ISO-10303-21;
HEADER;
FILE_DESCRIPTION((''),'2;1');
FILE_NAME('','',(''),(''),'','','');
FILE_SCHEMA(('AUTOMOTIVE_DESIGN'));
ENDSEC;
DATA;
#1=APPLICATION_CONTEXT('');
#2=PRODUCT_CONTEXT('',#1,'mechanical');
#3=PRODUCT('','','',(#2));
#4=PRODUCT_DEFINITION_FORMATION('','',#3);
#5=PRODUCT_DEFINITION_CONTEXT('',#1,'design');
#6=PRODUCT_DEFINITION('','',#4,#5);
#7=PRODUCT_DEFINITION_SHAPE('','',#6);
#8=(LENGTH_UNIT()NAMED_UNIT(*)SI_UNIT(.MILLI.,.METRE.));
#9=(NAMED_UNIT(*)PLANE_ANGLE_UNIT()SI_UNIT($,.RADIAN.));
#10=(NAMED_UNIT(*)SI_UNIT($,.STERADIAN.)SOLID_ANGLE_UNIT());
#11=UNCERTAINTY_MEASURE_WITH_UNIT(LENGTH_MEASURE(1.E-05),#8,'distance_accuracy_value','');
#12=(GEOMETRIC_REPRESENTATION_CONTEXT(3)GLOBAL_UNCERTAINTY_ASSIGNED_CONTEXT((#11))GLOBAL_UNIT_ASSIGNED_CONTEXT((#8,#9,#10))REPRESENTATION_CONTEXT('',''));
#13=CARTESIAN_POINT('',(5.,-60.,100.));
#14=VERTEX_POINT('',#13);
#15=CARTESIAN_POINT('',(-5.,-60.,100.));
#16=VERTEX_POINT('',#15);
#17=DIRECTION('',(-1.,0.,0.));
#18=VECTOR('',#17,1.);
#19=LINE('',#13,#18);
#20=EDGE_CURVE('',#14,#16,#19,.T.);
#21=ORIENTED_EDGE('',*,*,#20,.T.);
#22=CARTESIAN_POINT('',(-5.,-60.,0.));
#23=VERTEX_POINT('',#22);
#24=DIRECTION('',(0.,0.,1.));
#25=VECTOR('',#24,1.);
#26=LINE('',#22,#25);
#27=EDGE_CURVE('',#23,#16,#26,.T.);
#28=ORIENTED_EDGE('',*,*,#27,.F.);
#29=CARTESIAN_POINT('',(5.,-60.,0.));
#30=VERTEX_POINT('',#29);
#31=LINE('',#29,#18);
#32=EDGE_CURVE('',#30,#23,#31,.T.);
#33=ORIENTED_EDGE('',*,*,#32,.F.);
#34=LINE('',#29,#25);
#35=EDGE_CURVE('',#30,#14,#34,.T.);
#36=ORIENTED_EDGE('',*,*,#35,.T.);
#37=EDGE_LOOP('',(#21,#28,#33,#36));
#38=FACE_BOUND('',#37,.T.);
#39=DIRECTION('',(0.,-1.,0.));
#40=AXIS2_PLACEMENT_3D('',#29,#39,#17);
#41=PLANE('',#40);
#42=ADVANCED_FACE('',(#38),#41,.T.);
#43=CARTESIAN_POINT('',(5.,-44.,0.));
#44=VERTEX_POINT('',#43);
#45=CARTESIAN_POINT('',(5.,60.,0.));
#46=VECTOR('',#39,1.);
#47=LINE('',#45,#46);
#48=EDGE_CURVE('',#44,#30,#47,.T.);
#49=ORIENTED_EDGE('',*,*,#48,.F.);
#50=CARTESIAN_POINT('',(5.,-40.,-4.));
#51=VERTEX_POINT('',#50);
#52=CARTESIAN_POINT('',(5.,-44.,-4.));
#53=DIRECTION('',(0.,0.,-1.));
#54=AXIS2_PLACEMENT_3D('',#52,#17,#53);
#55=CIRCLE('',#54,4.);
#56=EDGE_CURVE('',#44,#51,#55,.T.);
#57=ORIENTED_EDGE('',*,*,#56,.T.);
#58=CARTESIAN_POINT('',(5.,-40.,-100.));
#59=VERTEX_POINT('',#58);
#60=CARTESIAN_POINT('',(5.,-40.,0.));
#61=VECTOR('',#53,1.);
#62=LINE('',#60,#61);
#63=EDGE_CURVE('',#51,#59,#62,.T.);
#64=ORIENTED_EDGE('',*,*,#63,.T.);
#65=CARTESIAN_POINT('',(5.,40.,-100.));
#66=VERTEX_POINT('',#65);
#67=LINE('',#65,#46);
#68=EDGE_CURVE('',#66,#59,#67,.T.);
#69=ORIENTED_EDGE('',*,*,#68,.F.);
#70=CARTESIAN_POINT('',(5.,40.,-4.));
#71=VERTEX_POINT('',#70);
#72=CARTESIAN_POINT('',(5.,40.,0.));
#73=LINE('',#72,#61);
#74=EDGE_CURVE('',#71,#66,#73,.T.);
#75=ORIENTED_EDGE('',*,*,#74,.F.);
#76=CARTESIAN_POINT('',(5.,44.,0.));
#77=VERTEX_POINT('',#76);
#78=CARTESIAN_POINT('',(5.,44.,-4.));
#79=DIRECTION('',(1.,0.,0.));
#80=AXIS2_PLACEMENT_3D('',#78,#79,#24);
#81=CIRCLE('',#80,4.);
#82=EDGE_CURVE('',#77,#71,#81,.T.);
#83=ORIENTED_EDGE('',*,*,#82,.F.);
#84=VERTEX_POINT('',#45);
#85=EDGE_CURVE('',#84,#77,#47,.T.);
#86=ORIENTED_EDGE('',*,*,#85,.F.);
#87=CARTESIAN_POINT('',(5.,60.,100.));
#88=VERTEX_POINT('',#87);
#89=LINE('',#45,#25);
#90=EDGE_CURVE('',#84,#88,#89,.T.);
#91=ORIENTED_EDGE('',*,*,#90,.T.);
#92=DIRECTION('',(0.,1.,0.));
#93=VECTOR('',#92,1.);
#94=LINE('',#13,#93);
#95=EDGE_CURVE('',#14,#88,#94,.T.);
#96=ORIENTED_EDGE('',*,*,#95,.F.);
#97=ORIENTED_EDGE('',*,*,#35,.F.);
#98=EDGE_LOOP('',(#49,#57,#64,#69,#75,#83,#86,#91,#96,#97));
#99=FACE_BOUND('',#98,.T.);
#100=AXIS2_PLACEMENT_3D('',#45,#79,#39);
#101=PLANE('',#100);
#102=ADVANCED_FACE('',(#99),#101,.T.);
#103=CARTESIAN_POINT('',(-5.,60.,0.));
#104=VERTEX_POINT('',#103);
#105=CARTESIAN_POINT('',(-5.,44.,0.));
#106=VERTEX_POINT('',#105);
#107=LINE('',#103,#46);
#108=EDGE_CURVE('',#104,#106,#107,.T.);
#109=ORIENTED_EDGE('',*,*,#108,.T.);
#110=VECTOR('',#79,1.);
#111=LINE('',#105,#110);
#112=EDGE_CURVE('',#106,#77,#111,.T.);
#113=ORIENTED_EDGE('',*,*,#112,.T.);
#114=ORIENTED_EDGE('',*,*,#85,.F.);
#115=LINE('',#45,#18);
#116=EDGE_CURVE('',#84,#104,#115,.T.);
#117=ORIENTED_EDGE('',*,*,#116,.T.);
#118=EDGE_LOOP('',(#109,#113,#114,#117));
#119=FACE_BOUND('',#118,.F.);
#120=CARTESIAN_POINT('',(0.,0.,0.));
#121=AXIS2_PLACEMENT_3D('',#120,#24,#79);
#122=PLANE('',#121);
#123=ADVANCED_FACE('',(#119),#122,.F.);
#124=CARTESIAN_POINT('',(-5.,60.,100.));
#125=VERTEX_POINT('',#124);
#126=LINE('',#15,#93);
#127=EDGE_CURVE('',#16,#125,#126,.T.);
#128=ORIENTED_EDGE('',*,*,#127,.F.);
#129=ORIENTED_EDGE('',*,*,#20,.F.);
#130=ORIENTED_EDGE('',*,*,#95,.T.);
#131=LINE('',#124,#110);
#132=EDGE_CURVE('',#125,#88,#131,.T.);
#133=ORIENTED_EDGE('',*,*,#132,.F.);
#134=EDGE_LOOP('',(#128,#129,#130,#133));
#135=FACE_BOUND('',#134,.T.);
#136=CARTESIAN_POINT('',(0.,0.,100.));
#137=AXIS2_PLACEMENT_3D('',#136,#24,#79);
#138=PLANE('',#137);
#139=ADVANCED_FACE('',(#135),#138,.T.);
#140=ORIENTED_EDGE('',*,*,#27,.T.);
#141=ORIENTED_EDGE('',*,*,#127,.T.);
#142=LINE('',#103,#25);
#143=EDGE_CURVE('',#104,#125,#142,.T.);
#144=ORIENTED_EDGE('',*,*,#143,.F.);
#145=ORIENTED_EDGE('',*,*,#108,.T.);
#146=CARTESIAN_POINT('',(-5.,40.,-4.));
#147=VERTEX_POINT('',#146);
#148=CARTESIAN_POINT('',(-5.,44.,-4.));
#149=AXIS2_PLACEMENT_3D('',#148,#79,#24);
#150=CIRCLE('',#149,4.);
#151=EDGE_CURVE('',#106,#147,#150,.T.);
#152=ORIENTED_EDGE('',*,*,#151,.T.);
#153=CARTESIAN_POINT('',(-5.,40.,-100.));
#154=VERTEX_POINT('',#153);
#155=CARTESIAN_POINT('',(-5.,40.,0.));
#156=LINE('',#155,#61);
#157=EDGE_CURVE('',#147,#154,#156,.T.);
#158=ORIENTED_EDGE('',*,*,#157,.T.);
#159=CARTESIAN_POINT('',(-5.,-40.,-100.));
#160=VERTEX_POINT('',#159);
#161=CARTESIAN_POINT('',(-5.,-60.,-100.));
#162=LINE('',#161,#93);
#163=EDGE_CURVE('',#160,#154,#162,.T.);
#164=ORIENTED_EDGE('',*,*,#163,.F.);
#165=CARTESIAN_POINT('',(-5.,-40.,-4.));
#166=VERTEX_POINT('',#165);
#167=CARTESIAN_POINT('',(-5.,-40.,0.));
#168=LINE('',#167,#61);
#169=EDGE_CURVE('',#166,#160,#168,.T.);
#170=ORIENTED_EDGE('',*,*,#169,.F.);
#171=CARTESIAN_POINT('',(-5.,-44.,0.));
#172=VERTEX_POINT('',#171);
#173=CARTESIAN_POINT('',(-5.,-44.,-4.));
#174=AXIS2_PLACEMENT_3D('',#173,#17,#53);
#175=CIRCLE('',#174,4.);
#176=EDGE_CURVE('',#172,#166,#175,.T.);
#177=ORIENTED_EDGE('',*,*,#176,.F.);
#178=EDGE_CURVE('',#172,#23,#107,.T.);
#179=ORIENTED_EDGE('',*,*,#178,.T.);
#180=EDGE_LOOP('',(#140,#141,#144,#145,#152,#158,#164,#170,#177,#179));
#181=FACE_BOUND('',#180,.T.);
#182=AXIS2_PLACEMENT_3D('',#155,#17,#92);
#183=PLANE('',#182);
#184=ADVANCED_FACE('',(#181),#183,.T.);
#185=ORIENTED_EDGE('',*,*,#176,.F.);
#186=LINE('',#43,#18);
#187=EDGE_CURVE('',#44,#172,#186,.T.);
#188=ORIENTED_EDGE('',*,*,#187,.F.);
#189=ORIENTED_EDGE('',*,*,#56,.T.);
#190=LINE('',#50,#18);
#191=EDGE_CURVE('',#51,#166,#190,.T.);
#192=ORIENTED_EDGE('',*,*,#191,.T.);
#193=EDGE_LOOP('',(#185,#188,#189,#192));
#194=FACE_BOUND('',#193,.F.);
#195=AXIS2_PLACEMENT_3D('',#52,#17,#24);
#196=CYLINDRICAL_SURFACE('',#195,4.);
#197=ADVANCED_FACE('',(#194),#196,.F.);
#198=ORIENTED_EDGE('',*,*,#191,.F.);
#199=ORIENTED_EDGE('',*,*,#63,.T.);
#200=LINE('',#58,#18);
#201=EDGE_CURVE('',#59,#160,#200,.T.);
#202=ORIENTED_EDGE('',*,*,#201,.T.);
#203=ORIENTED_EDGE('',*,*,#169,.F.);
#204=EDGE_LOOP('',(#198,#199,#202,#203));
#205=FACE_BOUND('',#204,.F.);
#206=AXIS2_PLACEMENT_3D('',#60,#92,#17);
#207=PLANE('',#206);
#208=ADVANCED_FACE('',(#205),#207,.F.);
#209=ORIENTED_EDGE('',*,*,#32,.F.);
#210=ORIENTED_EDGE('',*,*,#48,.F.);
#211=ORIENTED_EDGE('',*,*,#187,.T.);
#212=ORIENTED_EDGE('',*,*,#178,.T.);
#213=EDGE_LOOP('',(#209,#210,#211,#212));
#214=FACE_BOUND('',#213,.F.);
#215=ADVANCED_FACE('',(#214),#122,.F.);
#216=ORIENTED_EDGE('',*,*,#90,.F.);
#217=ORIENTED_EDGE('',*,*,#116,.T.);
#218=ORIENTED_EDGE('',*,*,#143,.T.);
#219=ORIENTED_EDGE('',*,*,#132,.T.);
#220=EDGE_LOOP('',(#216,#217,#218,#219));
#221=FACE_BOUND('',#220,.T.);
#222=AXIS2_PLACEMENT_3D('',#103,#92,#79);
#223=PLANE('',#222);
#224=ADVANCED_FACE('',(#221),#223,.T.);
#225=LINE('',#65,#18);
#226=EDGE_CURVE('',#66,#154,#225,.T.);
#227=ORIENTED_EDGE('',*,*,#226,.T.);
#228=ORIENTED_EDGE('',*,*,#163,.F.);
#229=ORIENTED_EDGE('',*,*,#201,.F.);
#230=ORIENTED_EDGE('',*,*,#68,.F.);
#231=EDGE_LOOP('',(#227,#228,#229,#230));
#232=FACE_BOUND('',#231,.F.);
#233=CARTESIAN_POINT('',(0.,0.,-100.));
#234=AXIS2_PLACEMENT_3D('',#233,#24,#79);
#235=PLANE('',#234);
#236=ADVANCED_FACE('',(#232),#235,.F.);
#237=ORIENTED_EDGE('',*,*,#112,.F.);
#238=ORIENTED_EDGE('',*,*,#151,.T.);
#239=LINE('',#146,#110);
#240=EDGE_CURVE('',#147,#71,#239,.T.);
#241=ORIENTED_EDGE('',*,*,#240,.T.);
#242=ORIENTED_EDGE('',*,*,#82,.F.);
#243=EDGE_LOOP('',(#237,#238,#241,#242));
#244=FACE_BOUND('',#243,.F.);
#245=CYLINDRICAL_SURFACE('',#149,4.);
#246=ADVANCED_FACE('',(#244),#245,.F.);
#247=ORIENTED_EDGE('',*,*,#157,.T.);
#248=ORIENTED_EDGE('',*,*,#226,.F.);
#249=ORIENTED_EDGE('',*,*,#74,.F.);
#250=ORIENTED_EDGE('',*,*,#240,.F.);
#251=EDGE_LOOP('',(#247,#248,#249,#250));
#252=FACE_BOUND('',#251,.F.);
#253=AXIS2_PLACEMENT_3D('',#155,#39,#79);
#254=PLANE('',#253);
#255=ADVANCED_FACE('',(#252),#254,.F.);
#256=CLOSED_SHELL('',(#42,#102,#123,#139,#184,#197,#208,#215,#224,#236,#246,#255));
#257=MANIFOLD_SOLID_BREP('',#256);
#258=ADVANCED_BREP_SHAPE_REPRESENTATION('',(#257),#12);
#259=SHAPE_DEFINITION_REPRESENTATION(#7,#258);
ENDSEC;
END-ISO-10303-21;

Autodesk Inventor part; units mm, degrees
ref_plane "YZ Plane" through (0, 0, 0) normal (1, 0, 0) x (0, 1, 0)
ref_plane "XZ Plane" through (0, 0, 0) normal (0, 1, 0) x (-1, 0, 0)
ref_plane "XY Plane" through (0, 0, 0) normal (0, 0, 1) x (1, 0, 0)
sketch "Schizzo1" plane through (0, 0, 0) normal (0, 0, 1) x (1, 0, 0)
  line L0 (-5, 60) -> (5, 60)
  line L1 (5, 60) -> (5, -60)
  line L2 (5, -60) -> (-5, -60)
  line L3 (-5, -60) -> (-5, 60)
  line L4 (-5, 60) -> (5, -60) construction
  line L5 (5, 60) -> (-5, -60) construction
  line L6 (-5, 40) -> (5, 40)
  line L7 (5, 40) -> (5, -40)
  line L8 (5, -40) -> (-5, -40)
  line L9 (-5, -40) -> (-5, 40)
  line L10 (-5, 40) -> (5, -40) construction
  line L11 (5, 40) -> (-5, -40) construction
  line L12 (0, 0) -> (121.0573, 0)
  line L13 (0, 0) -> (0, 96.1234)
  dimension "d0" = 120
  dimension "d1" = 10
  dimension "d2" = 80
extrude "Estrusione1" add sketch "Schizzo1" along normal blind 100
extrude "Estrusione2" add sketch "Schizzo1" against normal blind 100 contours L6 L13 L12 L1 L8 L3 | L6 L1 L12 L13
fillet "Raccordo1" radius 4 2 edges at (0, 40, 0) (0, -40, 0)
properties part number "05-23-2023 FEM"
